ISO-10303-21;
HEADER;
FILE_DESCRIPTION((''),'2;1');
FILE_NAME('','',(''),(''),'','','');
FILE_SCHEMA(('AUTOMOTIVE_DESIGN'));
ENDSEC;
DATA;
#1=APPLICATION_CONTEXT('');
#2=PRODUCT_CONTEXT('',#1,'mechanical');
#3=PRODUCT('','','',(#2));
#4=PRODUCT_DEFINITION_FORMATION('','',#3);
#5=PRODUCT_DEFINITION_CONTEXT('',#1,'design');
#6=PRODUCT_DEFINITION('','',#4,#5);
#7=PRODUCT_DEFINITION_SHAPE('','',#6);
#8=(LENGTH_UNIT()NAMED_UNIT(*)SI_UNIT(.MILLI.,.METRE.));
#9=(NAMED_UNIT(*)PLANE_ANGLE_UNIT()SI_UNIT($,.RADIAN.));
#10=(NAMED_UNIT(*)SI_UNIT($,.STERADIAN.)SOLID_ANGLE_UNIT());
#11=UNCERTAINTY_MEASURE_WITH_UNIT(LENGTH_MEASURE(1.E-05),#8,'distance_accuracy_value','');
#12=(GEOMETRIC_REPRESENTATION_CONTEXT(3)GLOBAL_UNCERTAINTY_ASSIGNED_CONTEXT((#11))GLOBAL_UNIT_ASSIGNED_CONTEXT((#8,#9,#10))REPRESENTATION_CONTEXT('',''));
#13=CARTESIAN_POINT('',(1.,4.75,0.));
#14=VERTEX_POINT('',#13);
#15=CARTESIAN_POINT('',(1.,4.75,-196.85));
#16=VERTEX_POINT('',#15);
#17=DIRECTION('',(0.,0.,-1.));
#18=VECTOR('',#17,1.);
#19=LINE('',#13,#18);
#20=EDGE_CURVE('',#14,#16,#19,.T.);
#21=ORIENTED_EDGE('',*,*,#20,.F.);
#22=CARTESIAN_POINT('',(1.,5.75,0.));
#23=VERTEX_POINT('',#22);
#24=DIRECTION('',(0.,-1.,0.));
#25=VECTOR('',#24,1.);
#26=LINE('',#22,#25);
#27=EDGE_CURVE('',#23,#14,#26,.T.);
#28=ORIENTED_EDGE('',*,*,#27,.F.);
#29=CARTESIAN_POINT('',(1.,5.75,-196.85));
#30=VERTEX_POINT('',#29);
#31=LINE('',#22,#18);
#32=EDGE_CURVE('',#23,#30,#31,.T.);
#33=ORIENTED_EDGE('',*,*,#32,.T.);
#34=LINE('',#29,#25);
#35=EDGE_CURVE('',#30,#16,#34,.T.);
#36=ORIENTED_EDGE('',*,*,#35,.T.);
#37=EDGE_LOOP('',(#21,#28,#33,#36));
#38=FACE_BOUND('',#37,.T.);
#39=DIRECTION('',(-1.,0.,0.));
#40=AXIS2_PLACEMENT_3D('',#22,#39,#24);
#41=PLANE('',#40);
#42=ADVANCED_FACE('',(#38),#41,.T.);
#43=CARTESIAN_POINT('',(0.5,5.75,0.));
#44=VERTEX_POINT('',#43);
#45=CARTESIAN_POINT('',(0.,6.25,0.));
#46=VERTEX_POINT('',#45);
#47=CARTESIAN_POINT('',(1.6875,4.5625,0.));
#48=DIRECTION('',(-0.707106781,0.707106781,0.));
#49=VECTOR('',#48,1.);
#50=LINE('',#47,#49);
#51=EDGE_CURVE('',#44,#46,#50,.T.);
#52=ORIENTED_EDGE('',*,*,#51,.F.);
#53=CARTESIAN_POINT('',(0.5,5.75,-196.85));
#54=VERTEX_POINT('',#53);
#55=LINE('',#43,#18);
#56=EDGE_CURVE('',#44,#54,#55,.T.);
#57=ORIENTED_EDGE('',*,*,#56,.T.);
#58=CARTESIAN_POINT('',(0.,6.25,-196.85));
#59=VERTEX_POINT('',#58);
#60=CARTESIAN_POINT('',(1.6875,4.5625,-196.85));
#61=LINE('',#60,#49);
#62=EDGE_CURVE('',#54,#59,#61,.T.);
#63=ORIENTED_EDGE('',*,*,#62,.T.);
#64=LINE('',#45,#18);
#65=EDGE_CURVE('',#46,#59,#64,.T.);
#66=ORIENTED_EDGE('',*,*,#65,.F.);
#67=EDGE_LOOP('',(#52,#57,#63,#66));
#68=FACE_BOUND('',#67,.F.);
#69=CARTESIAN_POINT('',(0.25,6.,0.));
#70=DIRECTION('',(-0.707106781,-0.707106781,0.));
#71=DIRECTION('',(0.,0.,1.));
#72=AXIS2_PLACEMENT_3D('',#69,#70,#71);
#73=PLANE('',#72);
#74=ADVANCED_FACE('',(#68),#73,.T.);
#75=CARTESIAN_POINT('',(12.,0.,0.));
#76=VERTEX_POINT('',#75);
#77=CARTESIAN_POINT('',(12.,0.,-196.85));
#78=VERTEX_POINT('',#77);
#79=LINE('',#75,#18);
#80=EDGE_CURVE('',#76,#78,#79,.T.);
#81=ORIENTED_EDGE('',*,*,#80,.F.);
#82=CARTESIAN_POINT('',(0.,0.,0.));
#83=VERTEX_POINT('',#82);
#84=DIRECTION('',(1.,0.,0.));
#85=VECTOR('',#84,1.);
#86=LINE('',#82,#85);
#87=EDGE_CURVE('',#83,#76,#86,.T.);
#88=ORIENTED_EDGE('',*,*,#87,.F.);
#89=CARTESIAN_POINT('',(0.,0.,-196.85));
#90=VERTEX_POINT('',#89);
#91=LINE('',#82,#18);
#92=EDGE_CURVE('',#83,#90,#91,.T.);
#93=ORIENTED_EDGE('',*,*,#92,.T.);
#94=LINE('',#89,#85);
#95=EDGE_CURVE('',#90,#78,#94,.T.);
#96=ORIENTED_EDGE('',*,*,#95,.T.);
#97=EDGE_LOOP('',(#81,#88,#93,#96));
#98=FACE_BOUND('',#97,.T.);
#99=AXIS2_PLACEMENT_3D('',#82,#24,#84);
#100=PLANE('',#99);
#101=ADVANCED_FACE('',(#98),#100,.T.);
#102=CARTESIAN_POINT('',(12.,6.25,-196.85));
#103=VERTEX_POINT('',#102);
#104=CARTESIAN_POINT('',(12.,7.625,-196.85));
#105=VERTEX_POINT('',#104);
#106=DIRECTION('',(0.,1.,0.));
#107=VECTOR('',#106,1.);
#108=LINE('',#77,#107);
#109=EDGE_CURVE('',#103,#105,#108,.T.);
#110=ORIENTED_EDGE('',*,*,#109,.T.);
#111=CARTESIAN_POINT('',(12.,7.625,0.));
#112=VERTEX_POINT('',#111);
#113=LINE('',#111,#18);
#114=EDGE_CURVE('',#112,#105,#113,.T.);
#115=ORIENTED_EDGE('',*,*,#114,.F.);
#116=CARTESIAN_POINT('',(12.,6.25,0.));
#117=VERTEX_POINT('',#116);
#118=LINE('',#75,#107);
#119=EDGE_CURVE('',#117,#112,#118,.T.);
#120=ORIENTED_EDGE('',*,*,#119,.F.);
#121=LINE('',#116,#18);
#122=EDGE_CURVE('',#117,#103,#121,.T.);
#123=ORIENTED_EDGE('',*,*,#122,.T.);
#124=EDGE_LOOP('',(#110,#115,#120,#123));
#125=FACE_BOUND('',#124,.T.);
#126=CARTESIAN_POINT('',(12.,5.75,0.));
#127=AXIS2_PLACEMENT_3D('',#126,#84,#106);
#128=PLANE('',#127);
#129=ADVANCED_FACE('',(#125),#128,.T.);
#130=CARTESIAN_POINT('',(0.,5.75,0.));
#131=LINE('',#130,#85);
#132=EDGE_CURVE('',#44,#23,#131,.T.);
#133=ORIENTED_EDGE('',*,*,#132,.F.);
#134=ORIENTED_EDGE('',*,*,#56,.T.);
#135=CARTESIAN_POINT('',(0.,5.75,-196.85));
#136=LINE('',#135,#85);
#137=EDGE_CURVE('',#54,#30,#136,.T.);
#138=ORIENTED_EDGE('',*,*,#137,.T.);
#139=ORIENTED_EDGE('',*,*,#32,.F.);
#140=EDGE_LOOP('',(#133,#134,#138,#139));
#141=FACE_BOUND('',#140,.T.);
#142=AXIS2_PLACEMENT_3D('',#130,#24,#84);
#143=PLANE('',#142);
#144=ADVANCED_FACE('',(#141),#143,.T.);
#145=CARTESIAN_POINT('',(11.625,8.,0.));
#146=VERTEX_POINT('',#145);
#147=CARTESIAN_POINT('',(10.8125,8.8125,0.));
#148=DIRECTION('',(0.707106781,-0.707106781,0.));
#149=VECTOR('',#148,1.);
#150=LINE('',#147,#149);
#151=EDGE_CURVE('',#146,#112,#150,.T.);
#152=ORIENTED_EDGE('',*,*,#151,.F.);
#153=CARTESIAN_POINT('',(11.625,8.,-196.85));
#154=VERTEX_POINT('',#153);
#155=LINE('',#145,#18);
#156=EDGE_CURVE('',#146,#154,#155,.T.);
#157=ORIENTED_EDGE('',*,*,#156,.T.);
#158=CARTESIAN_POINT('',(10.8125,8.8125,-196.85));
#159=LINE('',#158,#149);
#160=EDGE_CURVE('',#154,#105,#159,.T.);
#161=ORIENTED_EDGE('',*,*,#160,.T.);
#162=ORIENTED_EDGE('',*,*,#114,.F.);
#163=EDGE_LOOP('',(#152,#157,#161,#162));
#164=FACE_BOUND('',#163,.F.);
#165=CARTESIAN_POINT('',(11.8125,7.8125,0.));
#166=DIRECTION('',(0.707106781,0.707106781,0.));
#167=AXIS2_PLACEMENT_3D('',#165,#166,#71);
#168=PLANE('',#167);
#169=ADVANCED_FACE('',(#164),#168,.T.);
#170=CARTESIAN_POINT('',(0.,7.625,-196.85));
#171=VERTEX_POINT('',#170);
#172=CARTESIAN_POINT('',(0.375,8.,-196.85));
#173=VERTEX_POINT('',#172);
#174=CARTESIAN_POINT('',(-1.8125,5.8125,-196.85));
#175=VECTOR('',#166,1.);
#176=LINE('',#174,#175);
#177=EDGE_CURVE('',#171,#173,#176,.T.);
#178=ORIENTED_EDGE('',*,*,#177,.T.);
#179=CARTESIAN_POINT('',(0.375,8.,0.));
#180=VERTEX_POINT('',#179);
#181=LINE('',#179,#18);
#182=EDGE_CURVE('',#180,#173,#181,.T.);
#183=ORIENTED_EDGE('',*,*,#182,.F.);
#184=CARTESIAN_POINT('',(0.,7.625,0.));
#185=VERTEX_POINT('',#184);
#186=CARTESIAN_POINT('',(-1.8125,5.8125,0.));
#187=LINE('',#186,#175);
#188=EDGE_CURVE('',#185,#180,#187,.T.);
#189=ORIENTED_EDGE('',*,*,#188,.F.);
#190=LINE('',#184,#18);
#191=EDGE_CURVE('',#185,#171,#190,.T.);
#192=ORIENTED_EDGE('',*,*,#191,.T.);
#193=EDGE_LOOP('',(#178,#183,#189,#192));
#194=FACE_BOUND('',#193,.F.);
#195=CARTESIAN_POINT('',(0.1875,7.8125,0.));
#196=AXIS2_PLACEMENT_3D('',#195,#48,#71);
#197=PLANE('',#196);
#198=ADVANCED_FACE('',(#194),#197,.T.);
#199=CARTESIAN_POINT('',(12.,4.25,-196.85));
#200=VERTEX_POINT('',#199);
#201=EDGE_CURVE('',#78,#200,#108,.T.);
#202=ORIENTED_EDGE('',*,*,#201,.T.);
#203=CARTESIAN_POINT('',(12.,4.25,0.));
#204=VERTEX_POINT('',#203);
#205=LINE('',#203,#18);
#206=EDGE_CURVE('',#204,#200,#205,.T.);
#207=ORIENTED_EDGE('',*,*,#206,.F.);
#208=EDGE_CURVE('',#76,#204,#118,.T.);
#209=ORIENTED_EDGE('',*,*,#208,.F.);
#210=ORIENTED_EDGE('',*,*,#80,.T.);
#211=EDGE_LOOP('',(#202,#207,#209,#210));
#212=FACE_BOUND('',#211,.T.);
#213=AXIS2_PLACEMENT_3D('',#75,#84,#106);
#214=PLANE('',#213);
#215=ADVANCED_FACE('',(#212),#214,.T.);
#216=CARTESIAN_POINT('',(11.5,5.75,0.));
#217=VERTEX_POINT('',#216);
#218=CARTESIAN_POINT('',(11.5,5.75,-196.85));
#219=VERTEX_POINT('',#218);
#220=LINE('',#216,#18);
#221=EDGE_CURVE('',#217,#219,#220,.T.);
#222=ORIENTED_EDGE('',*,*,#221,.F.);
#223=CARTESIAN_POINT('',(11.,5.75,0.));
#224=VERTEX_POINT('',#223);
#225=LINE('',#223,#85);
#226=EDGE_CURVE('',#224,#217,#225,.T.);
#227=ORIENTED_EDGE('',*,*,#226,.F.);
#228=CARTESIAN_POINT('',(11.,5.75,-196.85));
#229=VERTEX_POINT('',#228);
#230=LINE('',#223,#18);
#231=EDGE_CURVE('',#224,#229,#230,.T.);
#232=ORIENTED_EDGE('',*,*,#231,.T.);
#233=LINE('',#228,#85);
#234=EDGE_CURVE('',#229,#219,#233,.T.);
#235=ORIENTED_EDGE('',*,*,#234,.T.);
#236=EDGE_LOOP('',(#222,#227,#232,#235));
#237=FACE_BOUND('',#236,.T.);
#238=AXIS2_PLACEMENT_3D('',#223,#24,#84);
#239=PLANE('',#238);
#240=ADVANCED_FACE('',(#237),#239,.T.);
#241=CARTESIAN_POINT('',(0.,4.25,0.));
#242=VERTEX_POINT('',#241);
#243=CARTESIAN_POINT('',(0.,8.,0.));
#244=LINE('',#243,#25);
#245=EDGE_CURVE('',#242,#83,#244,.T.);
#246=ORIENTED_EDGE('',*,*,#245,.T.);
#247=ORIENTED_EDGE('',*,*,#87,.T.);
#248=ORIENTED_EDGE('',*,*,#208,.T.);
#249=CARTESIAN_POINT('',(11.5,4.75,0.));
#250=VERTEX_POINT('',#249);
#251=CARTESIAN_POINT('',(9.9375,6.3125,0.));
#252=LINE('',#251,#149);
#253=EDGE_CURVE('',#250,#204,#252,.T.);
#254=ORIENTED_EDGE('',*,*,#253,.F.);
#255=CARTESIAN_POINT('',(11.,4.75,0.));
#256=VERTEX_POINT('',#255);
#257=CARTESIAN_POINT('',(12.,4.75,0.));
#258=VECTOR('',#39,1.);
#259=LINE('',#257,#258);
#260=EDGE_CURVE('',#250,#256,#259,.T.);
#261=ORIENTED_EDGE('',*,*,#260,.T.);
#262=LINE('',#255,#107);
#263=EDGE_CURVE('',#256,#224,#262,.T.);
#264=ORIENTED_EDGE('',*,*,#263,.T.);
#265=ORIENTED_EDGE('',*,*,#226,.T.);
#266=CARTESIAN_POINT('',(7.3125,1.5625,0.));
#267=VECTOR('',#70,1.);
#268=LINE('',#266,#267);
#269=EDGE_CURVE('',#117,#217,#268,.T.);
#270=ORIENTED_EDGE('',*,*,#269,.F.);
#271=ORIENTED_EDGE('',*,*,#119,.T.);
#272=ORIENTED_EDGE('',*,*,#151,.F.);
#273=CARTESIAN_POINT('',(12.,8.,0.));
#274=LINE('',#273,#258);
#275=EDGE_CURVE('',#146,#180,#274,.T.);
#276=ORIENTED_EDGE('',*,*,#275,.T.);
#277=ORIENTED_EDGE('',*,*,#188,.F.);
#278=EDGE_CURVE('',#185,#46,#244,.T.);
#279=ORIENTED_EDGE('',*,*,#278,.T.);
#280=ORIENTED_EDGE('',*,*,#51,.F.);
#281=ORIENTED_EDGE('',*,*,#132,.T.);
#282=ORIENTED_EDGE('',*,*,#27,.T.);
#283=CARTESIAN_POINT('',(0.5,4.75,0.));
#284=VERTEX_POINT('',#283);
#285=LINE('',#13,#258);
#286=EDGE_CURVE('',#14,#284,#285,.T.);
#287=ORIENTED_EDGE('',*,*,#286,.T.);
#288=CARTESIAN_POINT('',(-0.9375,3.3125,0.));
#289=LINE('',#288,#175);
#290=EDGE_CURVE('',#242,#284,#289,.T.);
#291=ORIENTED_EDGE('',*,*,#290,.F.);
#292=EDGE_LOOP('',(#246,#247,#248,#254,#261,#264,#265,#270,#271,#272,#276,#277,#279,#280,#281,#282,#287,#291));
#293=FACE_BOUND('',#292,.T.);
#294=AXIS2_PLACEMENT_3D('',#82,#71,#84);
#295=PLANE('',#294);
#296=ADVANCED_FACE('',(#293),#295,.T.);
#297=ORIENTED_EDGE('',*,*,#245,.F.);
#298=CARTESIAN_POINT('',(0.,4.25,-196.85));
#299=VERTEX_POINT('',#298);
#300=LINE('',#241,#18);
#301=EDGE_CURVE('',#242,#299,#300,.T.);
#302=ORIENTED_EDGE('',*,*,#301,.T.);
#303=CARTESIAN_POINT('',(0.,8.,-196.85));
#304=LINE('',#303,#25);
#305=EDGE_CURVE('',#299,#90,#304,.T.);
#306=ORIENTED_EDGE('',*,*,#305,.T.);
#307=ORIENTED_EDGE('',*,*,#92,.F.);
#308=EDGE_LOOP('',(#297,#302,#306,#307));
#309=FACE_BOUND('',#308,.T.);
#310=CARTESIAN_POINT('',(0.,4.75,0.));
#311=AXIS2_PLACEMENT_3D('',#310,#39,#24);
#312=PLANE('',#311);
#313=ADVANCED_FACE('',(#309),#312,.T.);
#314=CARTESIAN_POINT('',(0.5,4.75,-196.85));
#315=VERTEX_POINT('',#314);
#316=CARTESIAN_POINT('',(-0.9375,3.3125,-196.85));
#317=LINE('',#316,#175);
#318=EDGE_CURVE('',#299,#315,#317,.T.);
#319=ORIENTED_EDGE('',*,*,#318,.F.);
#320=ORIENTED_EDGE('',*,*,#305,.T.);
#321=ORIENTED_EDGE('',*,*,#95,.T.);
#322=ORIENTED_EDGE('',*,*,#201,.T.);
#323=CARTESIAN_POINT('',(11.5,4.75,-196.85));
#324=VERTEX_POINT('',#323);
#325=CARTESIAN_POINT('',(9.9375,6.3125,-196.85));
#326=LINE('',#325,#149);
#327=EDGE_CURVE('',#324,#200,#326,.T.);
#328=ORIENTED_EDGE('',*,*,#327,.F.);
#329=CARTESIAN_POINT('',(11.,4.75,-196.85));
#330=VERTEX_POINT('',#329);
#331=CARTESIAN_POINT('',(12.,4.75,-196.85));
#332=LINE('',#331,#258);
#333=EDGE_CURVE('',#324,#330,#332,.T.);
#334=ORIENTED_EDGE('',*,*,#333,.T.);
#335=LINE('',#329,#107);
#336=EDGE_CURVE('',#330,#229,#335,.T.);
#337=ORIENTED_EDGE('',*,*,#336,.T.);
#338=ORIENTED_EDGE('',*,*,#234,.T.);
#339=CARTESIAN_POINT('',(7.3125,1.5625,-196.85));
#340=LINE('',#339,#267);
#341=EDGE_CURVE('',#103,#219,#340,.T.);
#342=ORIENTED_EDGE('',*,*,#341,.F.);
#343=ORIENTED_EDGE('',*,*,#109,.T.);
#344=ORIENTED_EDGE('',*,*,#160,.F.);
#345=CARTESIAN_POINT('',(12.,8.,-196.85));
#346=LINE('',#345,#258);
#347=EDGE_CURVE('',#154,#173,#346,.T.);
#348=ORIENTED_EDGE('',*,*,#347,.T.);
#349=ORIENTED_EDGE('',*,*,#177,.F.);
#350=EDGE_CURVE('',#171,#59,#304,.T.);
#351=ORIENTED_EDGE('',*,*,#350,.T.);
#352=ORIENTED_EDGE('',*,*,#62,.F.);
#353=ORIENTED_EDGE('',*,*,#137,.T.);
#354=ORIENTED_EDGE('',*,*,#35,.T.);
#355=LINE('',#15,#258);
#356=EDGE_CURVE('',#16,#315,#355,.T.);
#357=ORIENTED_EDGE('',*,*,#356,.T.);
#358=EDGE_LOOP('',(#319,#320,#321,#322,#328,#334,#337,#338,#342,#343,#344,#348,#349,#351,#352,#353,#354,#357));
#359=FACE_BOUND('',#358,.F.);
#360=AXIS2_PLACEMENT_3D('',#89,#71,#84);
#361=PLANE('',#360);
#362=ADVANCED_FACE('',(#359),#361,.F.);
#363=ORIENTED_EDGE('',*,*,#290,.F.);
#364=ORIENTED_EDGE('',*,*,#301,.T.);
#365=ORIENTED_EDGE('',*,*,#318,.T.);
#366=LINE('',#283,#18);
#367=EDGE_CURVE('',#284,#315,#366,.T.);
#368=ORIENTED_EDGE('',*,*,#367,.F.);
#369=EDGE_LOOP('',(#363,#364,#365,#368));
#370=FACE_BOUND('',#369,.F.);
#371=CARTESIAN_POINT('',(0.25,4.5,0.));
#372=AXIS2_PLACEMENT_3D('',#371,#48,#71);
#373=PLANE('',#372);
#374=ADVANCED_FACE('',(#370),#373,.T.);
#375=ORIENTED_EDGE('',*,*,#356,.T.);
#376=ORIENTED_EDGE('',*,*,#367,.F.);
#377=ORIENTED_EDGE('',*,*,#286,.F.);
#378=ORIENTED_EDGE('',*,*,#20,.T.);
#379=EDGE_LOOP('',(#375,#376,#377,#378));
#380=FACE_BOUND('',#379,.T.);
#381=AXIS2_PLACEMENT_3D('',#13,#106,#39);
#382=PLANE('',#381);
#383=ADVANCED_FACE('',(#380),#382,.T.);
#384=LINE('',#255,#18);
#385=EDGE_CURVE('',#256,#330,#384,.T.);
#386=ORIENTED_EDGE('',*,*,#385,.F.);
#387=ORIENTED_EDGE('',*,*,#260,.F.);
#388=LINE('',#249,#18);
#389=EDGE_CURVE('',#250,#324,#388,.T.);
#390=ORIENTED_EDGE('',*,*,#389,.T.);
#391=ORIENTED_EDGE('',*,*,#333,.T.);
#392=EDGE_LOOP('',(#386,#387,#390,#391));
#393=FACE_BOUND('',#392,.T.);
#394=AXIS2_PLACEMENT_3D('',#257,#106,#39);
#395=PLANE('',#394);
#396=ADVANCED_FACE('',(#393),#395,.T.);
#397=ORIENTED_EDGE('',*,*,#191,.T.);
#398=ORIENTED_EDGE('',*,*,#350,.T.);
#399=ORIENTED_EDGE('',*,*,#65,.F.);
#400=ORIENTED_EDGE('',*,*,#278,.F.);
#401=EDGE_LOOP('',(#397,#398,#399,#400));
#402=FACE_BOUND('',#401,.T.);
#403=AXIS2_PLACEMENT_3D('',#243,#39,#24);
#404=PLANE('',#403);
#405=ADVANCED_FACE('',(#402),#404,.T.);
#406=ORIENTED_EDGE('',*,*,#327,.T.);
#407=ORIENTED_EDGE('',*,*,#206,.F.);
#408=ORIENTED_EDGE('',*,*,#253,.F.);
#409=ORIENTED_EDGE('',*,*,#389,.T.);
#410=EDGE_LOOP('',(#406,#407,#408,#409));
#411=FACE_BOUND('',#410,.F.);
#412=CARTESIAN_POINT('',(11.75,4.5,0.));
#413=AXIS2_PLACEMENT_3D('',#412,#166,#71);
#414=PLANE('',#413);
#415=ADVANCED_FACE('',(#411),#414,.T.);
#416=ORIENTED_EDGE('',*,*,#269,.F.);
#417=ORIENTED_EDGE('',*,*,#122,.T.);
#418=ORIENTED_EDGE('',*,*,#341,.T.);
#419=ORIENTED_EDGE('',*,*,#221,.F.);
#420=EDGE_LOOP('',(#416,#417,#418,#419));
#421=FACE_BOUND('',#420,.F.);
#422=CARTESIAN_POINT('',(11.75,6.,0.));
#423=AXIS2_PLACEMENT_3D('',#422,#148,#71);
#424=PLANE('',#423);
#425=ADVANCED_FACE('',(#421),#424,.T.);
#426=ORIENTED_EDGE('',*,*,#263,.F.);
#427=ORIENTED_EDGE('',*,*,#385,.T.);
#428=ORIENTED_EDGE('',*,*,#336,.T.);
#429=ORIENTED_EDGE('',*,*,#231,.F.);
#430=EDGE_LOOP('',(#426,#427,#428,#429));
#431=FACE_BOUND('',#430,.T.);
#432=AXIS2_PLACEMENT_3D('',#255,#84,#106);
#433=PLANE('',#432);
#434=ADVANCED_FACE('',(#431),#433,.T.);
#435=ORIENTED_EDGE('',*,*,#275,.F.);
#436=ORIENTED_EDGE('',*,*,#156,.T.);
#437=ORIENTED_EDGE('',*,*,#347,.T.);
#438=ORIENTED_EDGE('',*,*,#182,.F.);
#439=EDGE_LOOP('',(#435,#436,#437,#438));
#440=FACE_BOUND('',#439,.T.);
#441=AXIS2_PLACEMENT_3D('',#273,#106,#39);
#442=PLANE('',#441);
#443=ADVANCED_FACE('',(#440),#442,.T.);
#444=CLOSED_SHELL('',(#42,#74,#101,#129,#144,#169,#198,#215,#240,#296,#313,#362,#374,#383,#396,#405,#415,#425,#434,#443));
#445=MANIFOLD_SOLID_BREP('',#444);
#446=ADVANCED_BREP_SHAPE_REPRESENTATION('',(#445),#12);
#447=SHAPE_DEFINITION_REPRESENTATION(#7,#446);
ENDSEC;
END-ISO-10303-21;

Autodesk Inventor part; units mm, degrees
ref_plane "YZ Plane" through (0, 0, 0) normal (1, 0, 0) x (0, 1, 0)
ref_plane "XZ Plane" through (0, 0, 0) normal (0, 1, 0) x (-1, 0, 0)
ref_plane "XY Plane" through (0, 0, 0) normal (0, 0, 1) x (1, 0, 0)
sketch "Sketch1" plane through (0, 0, 0) normal (0, 0, 1) x (1, 0, 0)
  line L0 (0, 0) -> (12, 0)
  line L1 (12, 0) -> (12, 8)
  line L2 (12, 8) -> (0, 8)
  line L3 (0, 8) -> (0, 0)
  line L4 (12, 8) -> (12, 4.75)
  line L5 (12, 4.75) -> (11, 4.75)
  line L6 (11, 4.75) -> (11, 5.75)
  line L7 (11, 5.75) -> (12, 5.75)
  line L8 (0, 5.75) -> (1, 5.75)
  line L9 (1, 5.75) -> (1, 4.75)
  line L10 (1, 4.75) -> (0, 4.75)
  dimension "d0" = 8
  dimension "d1" = 12
  dimension "d2" = 3.25
  dimension "d3" = 2.25
  dimension "d4" = 1
  dimension "d5" = 1
extrude "Extrusion1" add sketch "Sketch1" against normal blind 196.85 contours L3 L10 L9 L8 L2 L1 L7 L6 L5 L0
chamfer "Chamfer1" distance 0.5 angle 45 4 edges at (12, 5.75, -98.425) (12, 4.75, -98.425) (0, 5.75, -98.425) (0, 4.75, -98.425)
chamfer "Chamfer2" distance 0.375 angle 45 2 edges at (12, 8, -98.425) (0, 8, -98.425)
equation "\"d4\" = d5"
properties part number "MGN12"
